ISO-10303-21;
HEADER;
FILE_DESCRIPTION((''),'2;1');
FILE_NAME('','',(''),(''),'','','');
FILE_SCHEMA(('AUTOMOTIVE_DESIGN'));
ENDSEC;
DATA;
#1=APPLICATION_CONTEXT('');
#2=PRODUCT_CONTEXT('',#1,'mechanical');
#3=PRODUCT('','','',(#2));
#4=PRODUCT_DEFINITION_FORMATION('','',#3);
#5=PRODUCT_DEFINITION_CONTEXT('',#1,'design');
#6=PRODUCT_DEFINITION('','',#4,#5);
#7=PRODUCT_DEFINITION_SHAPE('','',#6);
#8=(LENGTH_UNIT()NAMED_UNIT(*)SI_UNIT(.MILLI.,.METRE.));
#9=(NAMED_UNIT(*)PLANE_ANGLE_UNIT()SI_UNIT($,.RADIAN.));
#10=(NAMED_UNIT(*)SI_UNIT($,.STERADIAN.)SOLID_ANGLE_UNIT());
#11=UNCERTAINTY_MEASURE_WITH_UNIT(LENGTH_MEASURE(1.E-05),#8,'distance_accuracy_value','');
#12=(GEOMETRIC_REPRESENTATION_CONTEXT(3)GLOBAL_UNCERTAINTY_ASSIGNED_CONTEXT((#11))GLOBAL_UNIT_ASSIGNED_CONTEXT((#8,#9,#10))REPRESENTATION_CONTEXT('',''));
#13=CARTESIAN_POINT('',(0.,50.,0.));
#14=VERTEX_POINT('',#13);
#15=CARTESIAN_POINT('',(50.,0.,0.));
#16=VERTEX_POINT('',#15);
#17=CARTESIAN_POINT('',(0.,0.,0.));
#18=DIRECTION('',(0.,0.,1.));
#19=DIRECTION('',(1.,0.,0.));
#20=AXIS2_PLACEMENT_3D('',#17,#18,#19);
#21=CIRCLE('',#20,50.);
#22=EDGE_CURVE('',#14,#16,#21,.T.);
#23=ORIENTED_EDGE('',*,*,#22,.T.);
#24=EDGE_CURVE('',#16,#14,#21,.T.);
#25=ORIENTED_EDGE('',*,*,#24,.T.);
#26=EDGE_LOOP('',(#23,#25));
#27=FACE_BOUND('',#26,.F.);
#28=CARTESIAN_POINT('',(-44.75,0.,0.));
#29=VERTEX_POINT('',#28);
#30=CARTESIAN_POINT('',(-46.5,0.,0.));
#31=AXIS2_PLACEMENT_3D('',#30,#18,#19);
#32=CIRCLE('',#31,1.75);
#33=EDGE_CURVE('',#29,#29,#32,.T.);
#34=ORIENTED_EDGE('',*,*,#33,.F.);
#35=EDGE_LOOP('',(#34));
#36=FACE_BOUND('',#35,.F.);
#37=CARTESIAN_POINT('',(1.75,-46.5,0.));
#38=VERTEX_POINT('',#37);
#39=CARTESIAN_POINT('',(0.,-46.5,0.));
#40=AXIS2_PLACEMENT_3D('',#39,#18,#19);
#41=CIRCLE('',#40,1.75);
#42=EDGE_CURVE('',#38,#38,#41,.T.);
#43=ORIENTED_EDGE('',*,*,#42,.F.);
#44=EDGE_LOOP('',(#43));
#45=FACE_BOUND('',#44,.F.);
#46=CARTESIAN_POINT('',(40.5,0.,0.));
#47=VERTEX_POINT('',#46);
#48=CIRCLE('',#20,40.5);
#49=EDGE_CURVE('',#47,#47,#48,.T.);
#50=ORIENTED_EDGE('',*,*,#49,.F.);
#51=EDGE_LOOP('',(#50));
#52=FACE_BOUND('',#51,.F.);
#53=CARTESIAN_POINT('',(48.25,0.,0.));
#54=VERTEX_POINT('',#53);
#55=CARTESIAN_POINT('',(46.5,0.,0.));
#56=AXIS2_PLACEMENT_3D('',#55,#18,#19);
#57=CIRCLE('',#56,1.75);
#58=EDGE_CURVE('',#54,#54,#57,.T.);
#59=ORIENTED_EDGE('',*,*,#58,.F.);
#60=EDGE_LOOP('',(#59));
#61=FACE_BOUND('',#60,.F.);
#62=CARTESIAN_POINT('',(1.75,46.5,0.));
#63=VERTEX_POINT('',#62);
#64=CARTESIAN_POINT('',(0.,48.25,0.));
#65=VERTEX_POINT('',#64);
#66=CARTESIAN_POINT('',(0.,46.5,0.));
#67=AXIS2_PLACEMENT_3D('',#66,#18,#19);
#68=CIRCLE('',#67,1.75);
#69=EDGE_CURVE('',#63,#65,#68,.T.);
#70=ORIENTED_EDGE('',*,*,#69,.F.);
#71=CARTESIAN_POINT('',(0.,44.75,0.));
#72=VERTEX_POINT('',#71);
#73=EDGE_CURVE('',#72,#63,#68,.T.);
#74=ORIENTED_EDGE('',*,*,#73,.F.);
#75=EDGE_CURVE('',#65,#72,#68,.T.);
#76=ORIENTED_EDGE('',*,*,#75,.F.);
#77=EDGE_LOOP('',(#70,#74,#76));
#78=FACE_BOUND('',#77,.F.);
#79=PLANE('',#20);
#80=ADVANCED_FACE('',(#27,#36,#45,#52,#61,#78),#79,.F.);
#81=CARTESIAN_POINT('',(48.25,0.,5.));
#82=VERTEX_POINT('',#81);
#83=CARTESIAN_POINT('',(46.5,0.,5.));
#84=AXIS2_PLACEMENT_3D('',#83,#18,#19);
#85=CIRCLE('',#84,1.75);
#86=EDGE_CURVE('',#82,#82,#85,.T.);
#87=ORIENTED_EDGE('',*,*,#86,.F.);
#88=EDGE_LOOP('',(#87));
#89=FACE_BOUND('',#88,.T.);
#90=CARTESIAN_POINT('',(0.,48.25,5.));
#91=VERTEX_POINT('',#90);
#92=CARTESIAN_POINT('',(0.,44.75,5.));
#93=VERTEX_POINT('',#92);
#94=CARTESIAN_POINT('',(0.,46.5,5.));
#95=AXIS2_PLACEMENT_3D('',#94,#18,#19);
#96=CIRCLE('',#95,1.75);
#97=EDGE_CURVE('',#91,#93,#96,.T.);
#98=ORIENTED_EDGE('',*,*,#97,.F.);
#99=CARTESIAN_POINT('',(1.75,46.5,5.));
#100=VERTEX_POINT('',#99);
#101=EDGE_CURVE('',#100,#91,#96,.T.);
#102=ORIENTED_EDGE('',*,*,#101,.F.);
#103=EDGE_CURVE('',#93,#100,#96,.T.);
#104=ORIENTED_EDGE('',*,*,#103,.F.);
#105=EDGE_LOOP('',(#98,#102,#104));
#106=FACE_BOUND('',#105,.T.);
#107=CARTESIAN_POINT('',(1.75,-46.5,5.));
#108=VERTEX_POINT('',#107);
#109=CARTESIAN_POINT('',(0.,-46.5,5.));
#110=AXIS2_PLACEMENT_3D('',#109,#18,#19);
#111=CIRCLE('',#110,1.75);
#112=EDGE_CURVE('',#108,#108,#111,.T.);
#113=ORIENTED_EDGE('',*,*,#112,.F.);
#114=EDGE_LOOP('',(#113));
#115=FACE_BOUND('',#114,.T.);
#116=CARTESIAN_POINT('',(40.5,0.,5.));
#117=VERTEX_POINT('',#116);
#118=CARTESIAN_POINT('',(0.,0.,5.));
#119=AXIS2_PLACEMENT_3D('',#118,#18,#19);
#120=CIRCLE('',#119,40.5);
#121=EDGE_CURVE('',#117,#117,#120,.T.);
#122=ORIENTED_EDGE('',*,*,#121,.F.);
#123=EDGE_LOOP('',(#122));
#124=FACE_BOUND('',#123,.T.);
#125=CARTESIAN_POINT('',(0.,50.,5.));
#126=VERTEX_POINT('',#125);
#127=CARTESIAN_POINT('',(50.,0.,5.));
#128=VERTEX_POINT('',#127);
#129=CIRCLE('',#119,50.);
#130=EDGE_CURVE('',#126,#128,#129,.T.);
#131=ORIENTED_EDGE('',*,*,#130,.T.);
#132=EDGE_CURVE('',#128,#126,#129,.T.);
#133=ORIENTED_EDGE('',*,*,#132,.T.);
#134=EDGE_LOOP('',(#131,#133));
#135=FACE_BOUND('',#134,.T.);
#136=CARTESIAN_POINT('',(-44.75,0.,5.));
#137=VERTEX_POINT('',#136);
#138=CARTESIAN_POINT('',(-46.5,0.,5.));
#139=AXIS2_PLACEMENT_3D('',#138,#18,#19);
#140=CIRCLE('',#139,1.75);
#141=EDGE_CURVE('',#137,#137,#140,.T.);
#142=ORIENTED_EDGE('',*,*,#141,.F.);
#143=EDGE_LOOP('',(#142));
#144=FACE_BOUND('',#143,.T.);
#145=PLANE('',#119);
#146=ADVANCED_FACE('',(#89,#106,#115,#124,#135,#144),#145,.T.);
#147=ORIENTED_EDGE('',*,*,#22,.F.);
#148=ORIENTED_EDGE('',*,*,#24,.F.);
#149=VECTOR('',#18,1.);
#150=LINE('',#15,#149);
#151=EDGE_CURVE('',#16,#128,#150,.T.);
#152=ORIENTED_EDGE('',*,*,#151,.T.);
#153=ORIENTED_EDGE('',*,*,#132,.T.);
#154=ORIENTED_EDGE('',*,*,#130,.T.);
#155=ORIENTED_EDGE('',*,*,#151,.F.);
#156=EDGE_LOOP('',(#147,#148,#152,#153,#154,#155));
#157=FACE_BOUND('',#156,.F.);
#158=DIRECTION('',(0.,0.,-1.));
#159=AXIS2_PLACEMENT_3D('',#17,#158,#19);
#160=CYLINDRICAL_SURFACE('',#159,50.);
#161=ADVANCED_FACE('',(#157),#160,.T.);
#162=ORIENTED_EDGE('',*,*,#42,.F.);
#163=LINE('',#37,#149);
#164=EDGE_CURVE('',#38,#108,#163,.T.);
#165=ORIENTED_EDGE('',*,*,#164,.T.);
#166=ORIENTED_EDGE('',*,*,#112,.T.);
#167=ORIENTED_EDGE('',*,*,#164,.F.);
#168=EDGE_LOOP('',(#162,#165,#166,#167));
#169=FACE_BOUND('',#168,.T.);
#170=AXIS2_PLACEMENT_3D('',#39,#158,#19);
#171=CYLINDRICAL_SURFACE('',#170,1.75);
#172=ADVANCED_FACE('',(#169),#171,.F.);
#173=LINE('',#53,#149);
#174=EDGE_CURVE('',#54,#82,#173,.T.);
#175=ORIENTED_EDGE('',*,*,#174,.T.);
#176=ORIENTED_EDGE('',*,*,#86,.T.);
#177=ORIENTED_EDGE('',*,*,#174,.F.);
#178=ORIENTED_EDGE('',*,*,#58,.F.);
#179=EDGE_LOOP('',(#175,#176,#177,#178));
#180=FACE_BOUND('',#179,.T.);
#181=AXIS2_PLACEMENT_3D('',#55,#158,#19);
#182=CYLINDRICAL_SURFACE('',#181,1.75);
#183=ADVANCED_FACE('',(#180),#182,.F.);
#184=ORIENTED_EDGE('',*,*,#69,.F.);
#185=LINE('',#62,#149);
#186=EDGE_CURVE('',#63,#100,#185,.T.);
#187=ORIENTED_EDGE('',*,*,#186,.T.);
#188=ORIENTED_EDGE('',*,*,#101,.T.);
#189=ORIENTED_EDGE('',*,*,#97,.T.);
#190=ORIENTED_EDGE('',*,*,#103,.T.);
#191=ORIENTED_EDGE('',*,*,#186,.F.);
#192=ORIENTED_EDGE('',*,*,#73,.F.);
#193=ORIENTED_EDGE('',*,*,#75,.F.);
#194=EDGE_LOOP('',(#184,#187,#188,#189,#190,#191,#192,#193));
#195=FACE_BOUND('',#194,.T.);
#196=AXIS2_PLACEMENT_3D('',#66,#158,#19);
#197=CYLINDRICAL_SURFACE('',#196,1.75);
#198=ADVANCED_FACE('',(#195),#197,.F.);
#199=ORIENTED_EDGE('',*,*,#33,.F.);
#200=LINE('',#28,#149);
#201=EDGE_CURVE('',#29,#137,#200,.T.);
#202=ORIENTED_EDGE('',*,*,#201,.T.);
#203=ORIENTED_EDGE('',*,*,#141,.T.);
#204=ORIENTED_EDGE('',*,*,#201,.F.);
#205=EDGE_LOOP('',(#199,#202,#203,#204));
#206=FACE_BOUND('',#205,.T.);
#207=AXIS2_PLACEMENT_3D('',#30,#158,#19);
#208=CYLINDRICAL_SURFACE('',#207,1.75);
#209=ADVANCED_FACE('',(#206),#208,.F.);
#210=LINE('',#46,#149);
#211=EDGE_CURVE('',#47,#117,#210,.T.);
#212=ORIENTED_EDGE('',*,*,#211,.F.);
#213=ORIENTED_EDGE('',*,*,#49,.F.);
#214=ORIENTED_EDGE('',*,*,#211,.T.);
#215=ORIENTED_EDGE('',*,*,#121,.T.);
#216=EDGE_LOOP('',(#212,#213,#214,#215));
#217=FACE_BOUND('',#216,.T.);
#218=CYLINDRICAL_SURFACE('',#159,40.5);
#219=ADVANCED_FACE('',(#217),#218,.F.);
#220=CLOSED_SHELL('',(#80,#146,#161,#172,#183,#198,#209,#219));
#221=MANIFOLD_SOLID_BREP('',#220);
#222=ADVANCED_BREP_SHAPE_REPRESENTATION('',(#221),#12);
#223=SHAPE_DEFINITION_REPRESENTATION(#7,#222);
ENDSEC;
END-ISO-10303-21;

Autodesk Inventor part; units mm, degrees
ref_plane "YZ Plane" through (0, 0, 0) normal (1, 0, 0) x (0, 1, 0)
ref_plane "XZ Plane" through (0, 0, 0) normal (0, 1, 0) x (-1, 0, 0)
ref_plane "XY Plane" through (0, 0, 0) normal (0, 0, 1) x (1, 0, 0)
sketch "Sketch1" plane through (0, 0, 0) normal (0, 0, 1) x (1, 0, 0)
  circle A0 centre (0, 0) radius 40.5
  circle A1 centre (0, 0) radius 43
  circle A2 centre (0, 0) radius 50
  line L0 (0, 50) -> (0, 43)
  circle A3 centre (0, 46.5) radius 1.75
  circle A4 centre (-46.5, 0) radius 1.75
  circle A5 centre (0, -46.5) radius 1.75
  circle A6 centre (46.5, 0) radius 1.75
  dimension "d1" = 86
  dimension "d2" = 100
  dimension "d0" = 81
  dimension "d3" = 3.5
  dimension "d6" = 360
extrude "Extrusion1" add sketch "Sketch1" along normal blind 5 contours A1 | A2
properties part number "rotBase"
